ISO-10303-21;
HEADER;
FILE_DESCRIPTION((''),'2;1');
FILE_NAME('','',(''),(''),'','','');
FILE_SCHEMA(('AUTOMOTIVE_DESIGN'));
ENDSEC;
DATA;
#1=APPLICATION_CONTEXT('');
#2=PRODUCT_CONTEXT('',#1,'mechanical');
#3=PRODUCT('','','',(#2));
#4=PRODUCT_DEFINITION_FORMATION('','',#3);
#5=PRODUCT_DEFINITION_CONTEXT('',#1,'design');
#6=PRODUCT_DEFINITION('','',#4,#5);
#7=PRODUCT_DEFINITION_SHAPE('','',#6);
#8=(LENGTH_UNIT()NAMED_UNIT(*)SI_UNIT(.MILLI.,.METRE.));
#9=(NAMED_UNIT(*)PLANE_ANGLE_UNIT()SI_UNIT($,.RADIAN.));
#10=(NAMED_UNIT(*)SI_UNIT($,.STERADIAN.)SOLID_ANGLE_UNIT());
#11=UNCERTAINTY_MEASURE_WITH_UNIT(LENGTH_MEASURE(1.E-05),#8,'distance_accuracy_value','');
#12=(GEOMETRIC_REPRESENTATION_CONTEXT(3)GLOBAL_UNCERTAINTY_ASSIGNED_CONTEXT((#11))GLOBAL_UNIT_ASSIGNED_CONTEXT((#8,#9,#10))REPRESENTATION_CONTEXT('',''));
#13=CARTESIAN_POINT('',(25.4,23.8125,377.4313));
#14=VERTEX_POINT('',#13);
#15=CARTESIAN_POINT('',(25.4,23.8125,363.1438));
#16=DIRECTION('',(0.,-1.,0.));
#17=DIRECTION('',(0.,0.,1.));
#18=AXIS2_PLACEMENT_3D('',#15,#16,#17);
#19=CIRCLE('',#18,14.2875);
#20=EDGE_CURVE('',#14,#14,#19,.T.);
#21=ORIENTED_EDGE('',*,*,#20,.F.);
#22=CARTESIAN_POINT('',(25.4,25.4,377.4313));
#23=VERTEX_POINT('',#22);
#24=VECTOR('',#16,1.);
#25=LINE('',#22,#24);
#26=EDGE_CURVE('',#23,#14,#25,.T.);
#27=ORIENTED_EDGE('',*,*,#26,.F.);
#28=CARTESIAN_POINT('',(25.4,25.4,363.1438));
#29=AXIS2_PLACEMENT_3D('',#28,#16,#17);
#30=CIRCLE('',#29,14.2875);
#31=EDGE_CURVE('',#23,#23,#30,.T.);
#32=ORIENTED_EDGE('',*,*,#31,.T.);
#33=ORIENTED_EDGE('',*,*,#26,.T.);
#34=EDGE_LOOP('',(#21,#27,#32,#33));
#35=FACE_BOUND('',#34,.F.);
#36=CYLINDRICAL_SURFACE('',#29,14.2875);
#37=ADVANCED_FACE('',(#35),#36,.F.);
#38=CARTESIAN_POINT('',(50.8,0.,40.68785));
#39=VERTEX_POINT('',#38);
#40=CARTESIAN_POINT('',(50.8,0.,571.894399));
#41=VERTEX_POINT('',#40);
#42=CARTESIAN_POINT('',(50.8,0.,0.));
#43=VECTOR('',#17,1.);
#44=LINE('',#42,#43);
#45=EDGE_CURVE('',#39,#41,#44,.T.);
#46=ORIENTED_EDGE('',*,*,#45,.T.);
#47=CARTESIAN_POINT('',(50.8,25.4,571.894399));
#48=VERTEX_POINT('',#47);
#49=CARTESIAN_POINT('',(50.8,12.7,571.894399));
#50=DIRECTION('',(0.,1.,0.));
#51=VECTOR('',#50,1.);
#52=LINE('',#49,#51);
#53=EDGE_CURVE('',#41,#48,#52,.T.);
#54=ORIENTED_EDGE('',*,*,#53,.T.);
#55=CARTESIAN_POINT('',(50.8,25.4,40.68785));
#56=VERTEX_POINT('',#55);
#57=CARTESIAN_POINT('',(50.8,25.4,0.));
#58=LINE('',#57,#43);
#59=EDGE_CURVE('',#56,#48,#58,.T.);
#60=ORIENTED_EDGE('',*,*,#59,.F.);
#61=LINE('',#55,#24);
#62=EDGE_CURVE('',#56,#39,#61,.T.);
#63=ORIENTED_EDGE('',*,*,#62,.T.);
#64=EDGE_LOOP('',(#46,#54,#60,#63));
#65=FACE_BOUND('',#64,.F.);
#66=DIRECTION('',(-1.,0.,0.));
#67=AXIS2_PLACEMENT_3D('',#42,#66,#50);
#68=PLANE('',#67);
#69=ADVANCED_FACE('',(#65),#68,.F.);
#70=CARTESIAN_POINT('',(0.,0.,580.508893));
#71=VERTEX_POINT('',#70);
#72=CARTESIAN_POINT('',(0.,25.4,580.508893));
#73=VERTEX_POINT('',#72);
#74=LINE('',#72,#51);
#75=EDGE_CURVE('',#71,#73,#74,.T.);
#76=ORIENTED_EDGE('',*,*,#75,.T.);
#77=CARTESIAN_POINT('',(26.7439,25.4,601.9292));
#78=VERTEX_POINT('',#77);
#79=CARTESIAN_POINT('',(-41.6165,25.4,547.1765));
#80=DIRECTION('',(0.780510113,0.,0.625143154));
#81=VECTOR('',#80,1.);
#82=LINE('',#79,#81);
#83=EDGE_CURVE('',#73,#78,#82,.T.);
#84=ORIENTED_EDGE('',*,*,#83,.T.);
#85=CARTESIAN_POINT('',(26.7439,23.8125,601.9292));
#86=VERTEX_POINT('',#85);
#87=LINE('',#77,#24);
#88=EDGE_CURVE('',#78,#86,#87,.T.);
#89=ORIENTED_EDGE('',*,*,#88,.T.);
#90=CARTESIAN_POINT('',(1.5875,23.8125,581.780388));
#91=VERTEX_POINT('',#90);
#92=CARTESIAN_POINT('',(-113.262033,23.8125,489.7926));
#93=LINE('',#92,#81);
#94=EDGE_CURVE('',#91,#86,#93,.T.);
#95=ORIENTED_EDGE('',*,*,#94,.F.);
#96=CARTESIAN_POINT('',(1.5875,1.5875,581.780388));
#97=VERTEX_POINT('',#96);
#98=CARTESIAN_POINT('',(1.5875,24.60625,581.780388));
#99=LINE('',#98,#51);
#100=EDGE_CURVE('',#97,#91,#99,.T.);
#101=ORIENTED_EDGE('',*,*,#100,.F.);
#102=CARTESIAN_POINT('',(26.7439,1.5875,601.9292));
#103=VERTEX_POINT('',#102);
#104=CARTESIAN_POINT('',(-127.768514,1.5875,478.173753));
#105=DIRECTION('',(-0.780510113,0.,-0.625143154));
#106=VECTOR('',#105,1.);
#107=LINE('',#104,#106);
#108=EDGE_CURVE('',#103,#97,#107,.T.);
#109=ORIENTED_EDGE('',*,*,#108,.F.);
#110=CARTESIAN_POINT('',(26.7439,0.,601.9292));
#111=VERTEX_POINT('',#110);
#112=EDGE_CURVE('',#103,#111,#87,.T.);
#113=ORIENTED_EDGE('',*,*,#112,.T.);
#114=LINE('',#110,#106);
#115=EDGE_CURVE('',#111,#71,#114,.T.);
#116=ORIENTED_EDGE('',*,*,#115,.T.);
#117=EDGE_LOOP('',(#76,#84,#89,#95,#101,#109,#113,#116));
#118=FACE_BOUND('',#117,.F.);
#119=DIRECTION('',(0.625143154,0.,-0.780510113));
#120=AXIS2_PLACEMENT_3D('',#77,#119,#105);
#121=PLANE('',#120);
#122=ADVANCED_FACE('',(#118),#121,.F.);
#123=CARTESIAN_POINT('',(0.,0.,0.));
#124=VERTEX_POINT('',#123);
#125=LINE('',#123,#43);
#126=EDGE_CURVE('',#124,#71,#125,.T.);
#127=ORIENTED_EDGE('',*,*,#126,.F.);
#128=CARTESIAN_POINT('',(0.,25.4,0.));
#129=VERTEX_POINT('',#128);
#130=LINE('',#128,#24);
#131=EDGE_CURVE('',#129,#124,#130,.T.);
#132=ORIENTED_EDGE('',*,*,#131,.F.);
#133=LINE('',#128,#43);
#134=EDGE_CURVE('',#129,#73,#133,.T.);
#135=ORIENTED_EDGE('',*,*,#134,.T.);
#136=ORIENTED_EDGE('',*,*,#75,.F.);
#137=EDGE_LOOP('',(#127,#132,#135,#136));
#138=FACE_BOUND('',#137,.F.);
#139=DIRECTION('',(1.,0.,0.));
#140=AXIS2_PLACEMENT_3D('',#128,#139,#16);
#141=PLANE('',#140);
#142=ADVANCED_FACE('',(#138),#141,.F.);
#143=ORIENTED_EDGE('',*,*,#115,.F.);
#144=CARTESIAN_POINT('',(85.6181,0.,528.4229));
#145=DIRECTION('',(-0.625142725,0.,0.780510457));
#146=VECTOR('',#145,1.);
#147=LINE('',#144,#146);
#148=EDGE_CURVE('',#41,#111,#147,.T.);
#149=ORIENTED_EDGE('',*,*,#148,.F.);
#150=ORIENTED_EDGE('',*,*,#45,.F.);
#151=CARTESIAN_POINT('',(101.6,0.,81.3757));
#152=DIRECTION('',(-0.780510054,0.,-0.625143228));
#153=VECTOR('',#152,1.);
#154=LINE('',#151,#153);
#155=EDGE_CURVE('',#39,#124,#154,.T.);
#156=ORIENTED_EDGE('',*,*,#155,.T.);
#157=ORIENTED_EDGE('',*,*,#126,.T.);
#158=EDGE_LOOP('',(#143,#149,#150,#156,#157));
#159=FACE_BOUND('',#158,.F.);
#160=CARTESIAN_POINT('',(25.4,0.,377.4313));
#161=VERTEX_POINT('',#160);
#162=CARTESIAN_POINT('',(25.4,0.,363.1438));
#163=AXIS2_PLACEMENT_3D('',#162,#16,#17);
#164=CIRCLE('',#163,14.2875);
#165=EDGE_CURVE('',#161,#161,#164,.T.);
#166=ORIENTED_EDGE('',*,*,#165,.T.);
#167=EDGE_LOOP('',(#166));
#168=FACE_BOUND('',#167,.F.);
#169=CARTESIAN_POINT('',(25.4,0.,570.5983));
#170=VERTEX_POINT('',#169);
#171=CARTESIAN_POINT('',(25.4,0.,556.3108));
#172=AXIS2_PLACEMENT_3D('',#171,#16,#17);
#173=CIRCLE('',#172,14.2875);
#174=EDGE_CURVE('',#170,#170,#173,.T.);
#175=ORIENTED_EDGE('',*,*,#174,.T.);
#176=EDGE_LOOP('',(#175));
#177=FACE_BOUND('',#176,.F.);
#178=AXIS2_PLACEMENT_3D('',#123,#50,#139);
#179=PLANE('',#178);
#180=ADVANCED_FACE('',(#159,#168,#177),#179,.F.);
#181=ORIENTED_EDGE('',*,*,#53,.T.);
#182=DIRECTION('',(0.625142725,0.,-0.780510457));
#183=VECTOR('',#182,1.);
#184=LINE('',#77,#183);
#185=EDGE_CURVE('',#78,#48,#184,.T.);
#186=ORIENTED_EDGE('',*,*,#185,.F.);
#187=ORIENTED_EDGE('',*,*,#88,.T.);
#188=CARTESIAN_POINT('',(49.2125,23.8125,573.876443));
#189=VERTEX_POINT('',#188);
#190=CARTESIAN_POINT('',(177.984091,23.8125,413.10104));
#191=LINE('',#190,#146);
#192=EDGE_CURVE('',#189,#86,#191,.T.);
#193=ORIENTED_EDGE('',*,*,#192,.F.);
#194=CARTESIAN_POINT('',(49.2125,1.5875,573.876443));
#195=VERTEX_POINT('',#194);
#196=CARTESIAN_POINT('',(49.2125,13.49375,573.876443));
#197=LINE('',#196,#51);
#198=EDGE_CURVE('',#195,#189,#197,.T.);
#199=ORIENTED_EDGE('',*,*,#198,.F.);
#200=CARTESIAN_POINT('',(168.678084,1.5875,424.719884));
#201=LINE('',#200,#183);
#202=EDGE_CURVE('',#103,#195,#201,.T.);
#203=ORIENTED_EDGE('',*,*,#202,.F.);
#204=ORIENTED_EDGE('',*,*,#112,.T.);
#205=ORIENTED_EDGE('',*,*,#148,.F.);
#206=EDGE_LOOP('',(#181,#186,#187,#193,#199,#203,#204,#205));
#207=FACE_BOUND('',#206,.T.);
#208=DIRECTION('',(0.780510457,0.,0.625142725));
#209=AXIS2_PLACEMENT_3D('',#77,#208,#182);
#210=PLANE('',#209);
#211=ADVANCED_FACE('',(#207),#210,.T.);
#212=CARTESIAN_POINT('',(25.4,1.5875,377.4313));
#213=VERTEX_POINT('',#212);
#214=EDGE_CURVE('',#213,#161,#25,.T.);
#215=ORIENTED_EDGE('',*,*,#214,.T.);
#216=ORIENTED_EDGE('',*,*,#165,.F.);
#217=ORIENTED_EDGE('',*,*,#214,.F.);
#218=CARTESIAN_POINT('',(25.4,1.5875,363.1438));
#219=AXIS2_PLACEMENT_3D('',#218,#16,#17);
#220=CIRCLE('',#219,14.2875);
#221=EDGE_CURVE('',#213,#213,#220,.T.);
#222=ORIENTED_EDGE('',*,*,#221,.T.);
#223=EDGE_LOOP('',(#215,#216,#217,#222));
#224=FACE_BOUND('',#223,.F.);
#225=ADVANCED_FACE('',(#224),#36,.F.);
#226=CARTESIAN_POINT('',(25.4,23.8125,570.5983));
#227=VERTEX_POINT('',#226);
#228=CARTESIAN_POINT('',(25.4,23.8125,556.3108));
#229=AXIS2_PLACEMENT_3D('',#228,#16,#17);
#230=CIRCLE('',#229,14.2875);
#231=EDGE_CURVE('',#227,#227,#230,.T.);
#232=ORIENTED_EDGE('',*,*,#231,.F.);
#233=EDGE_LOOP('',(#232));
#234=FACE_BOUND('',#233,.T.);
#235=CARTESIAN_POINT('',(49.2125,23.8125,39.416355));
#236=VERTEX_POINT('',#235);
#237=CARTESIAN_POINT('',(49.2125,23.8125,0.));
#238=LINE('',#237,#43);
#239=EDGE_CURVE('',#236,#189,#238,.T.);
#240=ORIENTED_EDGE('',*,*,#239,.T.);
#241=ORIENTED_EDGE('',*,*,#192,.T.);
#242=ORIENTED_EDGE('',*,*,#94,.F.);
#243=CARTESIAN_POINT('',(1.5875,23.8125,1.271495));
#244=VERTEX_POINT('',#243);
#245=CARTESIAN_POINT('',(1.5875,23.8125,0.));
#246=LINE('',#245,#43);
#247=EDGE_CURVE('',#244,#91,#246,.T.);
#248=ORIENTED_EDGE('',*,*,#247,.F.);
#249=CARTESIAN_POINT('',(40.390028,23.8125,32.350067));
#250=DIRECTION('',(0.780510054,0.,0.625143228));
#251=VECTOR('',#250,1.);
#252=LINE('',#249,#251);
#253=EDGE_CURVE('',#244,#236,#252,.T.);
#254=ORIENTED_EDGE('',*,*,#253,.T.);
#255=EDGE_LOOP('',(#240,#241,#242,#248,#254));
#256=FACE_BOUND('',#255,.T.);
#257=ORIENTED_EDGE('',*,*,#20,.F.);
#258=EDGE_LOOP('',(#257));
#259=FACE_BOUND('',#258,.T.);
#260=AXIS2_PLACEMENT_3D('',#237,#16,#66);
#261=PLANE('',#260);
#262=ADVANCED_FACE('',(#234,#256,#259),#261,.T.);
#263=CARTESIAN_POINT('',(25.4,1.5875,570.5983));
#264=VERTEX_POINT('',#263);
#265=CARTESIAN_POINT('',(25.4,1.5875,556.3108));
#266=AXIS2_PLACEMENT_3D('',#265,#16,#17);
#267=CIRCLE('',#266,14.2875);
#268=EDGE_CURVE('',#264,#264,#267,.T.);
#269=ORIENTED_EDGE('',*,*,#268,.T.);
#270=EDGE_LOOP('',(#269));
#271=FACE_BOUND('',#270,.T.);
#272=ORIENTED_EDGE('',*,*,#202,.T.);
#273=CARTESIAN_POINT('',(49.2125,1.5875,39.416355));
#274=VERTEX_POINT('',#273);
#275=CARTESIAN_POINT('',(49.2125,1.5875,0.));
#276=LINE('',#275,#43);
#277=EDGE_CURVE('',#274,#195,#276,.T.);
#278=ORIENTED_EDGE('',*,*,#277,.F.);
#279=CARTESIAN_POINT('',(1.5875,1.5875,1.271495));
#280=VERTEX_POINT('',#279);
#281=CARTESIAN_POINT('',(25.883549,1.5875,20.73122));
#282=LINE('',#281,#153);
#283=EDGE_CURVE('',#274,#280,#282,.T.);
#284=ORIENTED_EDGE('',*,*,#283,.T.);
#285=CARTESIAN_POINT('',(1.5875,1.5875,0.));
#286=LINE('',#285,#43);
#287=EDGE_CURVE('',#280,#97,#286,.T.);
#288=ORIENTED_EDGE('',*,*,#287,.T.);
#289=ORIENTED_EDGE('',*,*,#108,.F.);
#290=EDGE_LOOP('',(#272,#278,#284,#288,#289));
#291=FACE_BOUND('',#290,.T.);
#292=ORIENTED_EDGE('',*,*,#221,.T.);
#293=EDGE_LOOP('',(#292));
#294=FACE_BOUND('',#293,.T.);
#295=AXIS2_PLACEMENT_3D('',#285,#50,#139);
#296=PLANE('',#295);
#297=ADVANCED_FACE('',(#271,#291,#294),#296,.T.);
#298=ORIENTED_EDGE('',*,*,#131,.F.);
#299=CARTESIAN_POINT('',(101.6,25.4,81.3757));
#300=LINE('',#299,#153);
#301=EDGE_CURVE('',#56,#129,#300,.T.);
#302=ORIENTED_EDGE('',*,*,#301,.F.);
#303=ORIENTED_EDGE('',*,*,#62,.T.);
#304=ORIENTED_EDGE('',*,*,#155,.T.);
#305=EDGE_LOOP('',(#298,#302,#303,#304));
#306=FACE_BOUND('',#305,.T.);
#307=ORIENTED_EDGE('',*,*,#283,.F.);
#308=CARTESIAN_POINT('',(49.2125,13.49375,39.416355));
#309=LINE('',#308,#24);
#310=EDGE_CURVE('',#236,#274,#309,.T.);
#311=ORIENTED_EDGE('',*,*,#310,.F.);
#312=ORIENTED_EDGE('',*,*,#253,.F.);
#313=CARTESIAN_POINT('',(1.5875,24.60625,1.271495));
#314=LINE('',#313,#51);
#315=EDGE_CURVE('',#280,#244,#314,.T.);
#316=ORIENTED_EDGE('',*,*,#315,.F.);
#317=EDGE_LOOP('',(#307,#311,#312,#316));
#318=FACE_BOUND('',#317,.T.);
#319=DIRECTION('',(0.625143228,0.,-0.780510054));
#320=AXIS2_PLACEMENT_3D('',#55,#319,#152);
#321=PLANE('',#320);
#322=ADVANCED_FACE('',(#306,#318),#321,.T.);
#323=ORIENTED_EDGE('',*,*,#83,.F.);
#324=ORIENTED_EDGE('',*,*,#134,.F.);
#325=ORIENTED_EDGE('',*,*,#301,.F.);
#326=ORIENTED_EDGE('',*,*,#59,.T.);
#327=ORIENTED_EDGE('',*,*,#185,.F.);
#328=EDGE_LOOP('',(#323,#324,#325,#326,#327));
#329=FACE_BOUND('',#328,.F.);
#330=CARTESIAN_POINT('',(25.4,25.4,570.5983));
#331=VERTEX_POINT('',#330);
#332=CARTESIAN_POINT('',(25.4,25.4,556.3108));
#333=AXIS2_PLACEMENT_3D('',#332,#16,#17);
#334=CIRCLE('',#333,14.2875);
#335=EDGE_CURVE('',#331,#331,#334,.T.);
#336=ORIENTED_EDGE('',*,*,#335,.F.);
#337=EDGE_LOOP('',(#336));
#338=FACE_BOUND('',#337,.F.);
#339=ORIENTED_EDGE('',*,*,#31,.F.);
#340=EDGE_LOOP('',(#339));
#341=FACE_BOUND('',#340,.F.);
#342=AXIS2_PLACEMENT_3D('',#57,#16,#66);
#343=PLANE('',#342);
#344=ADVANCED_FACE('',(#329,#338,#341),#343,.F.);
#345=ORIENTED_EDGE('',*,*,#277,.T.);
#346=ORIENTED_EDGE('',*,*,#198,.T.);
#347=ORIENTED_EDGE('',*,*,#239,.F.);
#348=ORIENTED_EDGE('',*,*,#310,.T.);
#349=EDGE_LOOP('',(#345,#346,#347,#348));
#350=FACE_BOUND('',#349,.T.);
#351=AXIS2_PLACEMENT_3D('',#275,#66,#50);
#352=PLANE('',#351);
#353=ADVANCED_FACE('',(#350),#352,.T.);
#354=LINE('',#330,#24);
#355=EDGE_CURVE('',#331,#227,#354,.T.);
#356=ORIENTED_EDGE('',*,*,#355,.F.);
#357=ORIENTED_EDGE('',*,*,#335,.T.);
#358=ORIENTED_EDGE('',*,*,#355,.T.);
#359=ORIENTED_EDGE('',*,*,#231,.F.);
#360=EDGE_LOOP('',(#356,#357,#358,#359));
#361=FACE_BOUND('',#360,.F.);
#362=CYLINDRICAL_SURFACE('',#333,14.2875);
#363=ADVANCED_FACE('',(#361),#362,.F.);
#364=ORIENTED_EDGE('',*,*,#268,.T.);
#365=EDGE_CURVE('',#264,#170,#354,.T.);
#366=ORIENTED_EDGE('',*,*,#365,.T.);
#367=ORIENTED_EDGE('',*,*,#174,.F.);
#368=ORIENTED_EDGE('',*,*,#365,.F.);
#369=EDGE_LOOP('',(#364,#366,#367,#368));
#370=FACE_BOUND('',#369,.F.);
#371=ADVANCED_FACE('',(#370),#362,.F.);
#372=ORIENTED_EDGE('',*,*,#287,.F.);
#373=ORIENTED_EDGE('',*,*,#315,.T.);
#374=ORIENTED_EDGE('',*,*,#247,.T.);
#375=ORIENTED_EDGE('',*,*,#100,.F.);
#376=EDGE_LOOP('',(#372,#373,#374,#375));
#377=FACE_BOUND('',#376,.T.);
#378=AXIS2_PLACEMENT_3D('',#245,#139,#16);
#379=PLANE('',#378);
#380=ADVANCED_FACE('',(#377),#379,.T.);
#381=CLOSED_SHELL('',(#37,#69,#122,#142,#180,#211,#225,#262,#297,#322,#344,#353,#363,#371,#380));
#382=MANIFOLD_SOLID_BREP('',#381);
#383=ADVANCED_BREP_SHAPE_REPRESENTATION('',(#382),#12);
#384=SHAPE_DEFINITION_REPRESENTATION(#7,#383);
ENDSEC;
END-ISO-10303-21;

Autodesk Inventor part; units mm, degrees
ref_plane "YZ Plane" through (0, 0, 0) normal (1, 0, 0) x (0, 1, 0)
ref_plane "XZ Plane" through (0, 0, 0) normal (0, 1, 0) x (-1, 0, 0)
ref_plane "XY Plane" through (0, 0, 0) normal (0, 0, 1) x (1, 0, 0)
sketch "Sketch1" plane through (0, 0, 0) normal (0, 0, 1) x (1, 0, 0)
  line L0 (0, 0) -> (50.8, 0)
  line L1 (50.8, 0) -> (50.8, 25.4)
  line L2 (50.8, 25.4) -> (0, 25.4)
  line L3 (0, 25.4) -> (0, 0)
  line L4 (1.5875, 1.5875) -> (49.2125, 1.5875)
  line L5 (49.2125, 1.5875) -> (49.2125, 23.8125)
  line L6 (49.2125, 23.8125) -> (1.5875, 23.8125)
  line L7 (1.5875, 23.8125) -> (1.5875, 1.5875)
  dimension "d0" = 50.8
  dimension "d1" = 25.4
  dimension "d2" = 1.5875
extrude "Extrusion1" add sketch "Sketch1" along normal blind 601.9292
sketch "Sketch2" plane through (0, 25.4, 0) normal (0, 1, 0) x (1, 0, 0)
  line L0 (125.8687, -681.3224) -> (26.7439, -601.9292)
  line L1 (26.7439, -601.9292) -> (85.6181, -528.4229)
  line L2 (85.6181, -528.4229) -> (184.7429, -607.8161)
  line L3 (184.7429, -607.8161) -> (125.8687, -681.3224)
  line L4 (-52.6493, -701.054) -> (26.7439, -601.9292)
  line L5 (26.7439, -601.9292) -> (-41.6165, -547.1765)
  line L6 (-41.6165, -547.1765) -> (-121.0097, -646.3013)
  line L7 (-121.0097, -646.3013) -> (-52.6493, -701.054)
  line L8 (50.8, 0) -> (0, 0) projected
  line L9 (0, 0) -> (0, -601.9292) projected
  line L10 (50.8, -601.9292) -> (0, -601.9292) projected
  line L11 (50.8, 0) -> (50.8, -601.9292) projected
  line L12 (0, 0) -> (0, -601.9292) projected
  point P0 (50.8, -571.8944)
  point P1 (0, -580.5089)
  dimension "d6" = 127
  dimension "d7" = 127
  dimension "d9" = 38.481
  dimension "d16" = 34.2646
extrude "Extrusion2" cut sketch "Sketch2" against normal blind 25.4 contours L0 L10 L11 L1 L2 L3 | L10 L9 L5 | L1 L11 L10 | L4 L7 L6 L5 L9 L10
sketch "Sketch3" plane through (0, 25.4, 0) normal (0, 1, 0) x (1, 0, 0)
  line L0 (0, 0) -> (59.8042, 74.6674)
  line L1 (59.8042, 74.6674) -> (161.4042, -6.7083)
  line L2 (161.4042, -6.7083) -> (101.6, -81.3757)
  line L3 (101.6, -81.3757) -> (0, 0)
  line L4 (50.8, 0) -> (0, 0) projected
  line L5 (50.8, 0) -> (50.8, -571.8944) projected
  line L6 (0, -580.5089) -> (26.7439, -601.9292) projected
  point P0 (50.8, -40.6878)
extrude "Extrusion3" cut sketch "Sketch3" against normal blind 25.4 contours L4 L5 L3
sketch "Sketch4" plane through (0, 25.4, 580.5089) normal (0, 1, 0) x (1, 0, 0)
  line L0 (-37.1172, 580.5089) -> (145.2482, 580.5089) construction
  line L1 (0, 580.5089) -> (0, 0) construction
  point P0 (25.4, 217.3651)
  point P1 (25.4, 24.1981)
  point P2 (26.7439, -21.4203)
  dimension "d17" = 25.4
  dimension "d20" = 25.4
  dimension "d28" = 238.7854
  dimension "d29" = 45.6184
hole "Hole1" at (25.4, 25.4, 363.1438) at (25.4, 25.4, 556.3108) direction (0, -1, 0) diameter 28.575 depth 25.4 tip angle 118
ref_plane "Work Plane1" through (25.4, 0, 571.8944) normal (1, 0, 0) x (0, 0, -1)
properties part number "SUP_010_4BarBar" material "Aluminum 6061"
